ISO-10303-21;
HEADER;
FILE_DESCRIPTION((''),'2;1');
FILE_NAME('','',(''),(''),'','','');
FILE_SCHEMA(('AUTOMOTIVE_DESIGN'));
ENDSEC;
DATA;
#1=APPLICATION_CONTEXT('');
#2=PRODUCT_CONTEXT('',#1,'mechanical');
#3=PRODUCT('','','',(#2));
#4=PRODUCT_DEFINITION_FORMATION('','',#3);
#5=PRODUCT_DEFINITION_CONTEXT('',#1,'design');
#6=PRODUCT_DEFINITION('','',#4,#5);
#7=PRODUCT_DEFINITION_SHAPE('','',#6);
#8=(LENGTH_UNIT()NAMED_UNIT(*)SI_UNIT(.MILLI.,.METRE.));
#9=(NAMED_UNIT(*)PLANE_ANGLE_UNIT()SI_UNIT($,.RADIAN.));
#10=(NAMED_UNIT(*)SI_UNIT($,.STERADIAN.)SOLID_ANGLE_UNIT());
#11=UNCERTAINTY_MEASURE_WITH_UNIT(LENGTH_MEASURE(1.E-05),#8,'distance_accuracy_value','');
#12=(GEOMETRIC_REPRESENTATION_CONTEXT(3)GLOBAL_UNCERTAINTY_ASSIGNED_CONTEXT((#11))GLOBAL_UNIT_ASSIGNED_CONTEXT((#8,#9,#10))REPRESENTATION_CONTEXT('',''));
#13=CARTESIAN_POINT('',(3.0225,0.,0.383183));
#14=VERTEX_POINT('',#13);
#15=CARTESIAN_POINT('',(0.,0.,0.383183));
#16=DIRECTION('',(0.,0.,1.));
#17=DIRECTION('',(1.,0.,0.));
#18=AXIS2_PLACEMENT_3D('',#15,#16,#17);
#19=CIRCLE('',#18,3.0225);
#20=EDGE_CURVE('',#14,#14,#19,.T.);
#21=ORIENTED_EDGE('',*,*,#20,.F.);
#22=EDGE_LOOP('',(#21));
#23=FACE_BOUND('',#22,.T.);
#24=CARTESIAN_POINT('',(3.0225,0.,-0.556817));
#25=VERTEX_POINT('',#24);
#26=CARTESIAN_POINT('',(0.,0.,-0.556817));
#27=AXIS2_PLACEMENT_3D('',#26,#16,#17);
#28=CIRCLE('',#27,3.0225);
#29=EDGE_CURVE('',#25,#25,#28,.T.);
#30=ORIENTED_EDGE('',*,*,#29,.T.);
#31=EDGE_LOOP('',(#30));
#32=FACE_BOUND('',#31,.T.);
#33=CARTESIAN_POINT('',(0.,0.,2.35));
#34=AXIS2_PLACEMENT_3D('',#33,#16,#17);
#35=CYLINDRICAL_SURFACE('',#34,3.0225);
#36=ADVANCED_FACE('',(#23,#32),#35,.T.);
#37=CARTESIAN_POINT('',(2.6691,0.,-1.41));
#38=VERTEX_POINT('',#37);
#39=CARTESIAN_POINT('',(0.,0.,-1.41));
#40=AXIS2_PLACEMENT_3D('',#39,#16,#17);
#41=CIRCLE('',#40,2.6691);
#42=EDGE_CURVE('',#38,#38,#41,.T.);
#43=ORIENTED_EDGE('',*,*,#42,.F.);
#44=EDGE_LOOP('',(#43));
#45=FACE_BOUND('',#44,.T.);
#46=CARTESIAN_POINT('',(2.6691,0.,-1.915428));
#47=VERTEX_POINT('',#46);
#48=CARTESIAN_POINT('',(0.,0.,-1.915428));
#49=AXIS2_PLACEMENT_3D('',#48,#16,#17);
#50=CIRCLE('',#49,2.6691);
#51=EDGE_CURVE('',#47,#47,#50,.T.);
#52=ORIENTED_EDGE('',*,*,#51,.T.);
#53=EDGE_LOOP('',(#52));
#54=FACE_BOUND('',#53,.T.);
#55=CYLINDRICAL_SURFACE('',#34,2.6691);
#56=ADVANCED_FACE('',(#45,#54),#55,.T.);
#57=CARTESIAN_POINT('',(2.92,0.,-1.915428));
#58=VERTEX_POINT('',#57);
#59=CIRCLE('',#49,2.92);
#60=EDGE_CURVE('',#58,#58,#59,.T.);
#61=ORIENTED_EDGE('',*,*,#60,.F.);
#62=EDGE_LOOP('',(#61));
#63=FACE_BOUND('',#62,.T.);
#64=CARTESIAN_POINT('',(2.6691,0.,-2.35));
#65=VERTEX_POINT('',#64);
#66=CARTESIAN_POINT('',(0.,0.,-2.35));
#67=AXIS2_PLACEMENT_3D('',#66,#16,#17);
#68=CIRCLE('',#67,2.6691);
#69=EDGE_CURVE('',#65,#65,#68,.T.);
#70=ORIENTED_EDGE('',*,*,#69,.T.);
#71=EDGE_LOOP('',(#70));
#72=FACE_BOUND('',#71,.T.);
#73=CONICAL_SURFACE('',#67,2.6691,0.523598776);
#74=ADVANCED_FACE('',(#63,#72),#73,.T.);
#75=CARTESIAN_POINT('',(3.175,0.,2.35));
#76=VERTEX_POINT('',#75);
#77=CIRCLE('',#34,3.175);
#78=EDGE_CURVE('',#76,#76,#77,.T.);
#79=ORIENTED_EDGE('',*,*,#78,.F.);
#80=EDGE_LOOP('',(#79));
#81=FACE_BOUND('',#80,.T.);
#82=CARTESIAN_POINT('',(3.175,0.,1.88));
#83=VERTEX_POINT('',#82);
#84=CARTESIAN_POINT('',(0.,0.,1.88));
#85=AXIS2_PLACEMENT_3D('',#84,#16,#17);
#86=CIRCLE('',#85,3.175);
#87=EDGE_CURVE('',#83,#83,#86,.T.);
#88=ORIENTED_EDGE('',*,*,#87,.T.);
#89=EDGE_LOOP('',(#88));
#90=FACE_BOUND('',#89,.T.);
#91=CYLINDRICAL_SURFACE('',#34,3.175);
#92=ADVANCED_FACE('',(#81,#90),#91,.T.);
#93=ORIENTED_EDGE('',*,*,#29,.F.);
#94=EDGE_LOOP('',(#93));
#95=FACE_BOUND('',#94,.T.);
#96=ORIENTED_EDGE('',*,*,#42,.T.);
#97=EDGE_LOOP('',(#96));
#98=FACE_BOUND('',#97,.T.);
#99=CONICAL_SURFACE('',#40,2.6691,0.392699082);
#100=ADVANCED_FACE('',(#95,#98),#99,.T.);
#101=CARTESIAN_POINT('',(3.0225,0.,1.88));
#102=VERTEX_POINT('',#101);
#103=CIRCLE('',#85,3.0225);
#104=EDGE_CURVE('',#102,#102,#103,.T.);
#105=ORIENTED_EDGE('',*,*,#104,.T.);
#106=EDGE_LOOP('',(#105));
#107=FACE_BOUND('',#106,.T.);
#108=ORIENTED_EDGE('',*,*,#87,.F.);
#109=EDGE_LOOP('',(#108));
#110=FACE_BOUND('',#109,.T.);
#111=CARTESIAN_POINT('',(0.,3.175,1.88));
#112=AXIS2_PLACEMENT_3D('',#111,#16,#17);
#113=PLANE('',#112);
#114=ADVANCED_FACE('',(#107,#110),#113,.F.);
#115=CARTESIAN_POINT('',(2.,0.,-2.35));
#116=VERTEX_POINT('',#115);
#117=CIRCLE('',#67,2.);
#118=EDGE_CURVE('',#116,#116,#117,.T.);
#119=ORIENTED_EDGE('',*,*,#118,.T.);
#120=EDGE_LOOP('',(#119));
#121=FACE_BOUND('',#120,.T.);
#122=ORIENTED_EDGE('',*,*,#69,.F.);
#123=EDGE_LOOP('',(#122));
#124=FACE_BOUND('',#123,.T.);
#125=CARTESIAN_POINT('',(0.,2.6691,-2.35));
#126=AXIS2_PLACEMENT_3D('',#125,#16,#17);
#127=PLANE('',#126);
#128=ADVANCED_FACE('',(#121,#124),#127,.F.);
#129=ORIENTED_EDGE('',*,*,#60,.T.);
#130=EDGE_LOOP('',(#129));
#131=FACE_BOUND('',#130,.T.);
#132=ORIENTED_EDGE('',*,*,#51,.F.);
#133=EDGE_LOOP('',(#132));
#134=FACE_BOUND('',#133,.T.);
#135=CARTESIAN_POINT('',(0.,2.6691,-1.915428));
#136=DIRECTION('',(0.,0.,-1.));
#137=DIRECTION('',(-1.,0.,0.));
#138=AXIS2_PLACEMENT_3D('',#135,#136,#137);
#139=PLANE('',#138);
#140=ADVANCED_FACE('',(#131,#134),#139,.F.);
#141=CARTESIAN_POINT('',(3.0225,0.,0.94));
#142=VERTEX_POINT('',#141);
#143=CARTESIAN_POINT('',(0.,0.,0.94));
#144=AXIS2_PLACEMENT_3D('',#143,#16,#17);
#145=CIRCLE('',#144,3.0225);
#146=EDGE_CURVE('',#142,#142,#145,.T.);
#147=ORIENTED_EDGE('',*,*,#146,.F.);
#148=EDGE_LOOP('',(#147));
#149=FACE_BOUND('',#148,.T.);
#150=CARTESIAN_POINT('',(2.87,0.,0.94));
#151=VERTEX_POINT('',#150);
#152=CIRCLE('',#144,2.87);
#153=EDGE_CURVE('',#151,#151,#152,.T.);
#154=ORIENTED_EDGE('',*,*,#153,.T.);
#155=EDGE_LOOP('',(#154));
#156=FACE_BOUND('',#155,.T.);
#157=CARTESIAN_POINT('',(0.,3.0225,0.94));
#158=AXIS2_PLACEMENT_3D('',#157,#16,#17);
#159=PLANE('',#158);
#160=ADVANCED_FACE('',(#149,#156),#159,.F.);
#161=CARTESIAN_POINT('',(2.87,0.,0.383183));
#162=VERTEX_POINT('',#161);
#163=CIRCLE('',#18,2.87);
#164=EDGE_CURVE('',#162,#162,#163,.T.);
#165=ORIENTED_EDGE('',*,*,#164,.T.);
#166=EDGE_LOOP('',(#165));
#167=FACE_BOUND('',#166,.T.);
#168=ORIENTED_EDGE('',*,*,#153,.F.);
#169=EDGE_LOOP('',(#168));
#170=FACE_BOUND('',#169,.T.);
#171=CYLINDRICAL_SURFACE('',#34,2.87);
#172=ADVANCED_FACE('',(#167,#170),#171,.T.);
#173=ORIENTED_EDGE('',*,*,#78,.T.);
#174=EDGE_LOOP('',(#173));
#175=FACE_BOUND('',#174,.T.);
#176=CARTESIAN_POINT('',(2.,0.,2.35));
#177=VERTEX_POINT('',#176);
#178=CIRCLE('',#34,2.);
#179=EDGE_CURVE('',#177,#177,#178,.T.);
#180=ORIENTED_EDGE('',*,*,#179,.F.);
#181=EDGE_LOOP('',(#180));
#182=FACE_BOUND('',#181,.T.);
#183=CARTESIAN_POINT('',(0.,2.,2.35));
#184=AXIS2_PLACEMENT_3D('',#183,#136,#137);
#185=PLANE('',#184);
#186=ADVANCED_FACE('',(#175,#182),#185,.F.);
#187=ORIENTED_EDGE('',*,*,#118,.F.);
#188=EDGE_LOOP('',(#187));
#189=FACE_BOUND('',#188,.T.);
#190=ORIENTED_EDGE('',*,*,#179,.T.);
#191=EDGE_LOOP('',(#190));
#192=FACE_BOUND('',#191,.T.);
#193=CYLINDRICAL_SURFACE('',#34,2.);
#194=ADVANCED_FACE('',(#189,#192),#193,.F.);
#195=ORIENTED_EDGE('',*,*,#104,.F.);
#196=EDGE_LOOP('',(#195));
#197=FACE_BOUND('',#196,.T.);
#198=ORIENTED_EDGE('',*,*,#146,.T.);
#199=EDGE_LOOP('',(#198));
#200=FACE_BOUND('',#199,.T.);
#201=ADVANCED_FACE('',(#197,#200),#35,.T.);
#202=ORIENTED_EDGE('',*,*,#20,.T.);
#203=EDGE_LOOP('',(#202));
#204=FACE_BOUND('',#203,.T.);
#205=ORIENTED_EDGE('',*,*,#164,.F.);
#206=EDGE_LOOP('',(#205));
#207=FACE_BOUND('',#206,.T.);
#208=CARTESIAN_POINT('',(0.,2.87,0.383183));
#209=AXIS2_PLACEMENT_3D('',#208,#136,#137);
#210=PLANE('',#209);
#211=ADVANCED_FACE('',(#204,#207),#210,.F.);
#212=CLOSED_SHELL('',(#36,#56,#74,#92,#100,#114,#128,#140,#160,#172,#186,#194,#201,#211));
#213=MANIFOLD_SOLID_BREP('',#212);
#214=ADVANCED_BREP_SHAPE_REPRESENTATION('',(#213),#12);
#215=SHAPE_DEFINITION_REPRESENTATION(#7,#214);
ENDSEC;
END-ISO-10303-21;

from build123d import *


with BuildPart() as part:
    # Sketch3 → Revolve1 (revolve)
    with BuildSketch(Plane(origin=(0, 0, 0), x_dir=(0, 0, -1), z_dir=(1, 0, 0)), mode=Mode.PRIVATE) as revolve1_sk:
        Polygon((-2.35, 2), (-2.35, 3.175), (-1.88, 3.175), (-1.88, 3.0225), (-0.94, 3.0225), (-0.94, 2.87), (-0.383183073, 2.87), (-0.383183073, 3.0225), (0.556816927, 3.0225), (1.41, 2.6691), (1.915428452, 2.6691), (1.915428452, 2.92), (2.35, 2.6691), (2.35, 2), align=None)
    revolve(revolve1_sk.sketch.rotate(Axis((0, 0, 2.35), (0, 0, -1)), 90), axis=Axis((0, 0, 2.35), (0, 0, -1)))


solid = part.part
